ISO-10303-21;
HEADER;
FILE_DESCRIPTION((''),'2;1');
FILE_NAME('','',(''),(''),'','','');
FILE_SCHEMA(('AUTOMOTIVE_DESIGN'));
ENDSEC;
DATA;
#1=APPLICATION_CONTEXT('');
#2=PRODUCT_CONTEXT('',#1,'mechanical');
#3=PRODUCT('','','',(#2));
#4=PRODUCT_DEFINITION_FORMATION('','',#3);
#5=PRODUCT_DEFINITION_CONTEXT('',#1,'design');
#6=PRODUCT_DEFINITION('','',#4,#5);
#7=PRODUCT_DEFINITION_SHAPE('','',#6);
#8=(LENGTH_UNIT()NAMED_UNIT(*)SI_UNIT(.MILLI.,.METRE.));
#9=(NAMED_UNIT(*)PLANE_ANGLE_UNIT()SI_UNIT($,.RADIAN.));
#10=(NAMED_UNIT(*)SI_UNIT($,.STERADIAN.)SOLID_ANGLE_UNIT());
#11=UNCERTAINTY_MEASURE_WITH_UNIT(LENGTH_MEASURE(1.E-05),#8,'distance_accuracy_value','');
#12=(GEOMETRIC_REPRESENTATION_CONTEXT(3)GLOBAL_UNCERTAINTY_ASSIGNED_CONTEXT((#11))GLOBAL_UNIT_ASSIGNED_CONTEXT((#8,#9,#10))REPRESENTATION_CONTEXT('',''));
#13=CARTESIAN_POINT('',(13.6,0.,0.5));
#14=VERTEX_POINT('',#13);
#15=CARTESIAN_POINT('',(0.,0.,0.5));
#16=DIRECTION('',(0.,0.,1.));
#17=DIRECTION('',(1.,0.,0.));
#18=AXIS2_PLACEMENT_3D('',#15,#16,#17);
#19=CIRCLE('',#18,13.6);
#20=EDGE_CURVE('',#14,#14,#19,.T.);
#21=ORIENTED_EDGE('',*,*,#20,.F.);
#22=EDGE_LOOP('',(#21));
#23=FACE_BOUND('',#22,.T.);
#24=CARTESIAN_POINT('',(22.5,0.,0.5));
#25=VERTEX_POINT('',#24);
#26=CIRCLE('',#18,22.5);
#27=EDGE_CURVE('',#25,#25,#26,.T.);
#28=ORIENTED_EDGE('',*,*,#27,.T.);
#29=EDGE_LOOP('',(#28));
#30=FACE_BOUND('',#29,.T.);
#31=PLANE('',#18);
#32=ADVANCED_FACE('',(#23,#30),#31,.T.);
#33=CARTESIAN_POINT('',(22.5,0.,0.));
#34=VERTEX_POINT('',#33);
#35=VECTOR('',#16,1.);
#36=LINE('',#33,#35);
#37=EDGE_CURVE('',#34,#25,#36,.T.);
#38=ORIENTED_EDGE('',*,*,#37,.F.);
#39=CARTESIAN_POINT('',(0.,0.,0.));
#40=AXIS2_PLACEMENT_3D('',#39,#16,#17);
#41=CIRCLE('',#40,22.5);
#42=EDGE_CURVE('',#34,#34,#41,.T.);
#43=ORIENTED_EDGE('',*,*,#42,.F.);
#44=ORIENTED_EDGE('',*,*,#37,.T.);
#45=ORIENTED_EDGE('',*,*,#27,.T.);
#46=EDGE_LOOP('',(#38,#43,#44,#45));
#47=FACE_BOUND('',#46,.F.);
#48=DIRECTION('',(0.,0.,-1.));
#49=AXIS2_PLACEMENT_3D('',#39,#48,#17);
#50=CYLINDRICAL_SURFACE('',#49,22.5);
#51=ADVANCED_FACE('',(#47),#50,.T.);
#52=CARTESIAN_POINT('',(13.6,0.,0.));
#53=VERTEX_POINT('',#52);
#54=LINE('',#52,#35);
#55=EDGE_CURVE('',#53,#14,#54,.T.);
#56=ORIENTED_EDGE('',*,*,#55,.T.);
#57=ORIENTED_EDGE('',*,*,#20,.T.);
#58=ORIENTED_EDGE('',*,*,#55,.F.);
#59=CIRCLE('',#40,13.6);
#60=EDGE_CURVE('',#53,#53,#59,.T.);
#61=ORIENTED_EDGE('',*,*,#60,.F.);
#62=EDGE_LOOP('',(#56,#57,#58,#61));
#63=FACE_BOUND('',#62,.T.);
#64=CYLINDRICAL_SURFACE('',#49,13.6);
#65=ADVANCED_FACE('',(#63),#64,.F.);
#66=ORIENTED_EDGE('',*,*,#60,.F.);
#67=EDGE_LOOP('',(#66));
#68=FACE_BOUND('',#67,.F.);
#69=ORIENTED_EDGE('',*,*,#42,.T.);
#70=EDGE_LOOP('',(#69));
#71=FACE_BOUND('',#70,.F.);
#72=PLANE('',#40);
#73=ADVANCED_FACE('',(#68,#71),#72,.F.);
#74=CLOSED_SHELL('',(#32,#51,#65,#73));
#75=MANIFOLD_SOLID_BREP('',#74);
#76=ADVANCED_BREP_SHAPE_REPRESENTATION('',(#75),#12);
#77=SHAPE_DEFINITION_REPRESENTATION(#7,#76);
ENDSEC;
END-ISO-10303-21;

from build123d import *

# Parameters (mm, degrees)
CYLINDER018_R     = 13.6
CYLINDER018_DEPTH = 0.5
CYLINDER019_R     = 22.5
CYLINDER019_DEPTH = 0.5


with BuildPart() as cylinder018:
    # Cylinder018 → Cylinder018 (new body)
    with BuildSketch(Plane.XY):
        Circle(CYLINDER018_R)
    extrude(amount=CYLINDER018_DEPTH)


with BuildPart() as large_blue:
    # Cylinder019 → Cylinder019 (new body)
    with BuildSketch(Plane.XY):
        Circle(CYLINDER019_R)
    extrude(amount=CYLINDER019_DEPTH)

    # Cut007: cut Cylinder018
    add(cylinder018.part, mode=Mode.SUBTRACT)


solid = large_blue.part
